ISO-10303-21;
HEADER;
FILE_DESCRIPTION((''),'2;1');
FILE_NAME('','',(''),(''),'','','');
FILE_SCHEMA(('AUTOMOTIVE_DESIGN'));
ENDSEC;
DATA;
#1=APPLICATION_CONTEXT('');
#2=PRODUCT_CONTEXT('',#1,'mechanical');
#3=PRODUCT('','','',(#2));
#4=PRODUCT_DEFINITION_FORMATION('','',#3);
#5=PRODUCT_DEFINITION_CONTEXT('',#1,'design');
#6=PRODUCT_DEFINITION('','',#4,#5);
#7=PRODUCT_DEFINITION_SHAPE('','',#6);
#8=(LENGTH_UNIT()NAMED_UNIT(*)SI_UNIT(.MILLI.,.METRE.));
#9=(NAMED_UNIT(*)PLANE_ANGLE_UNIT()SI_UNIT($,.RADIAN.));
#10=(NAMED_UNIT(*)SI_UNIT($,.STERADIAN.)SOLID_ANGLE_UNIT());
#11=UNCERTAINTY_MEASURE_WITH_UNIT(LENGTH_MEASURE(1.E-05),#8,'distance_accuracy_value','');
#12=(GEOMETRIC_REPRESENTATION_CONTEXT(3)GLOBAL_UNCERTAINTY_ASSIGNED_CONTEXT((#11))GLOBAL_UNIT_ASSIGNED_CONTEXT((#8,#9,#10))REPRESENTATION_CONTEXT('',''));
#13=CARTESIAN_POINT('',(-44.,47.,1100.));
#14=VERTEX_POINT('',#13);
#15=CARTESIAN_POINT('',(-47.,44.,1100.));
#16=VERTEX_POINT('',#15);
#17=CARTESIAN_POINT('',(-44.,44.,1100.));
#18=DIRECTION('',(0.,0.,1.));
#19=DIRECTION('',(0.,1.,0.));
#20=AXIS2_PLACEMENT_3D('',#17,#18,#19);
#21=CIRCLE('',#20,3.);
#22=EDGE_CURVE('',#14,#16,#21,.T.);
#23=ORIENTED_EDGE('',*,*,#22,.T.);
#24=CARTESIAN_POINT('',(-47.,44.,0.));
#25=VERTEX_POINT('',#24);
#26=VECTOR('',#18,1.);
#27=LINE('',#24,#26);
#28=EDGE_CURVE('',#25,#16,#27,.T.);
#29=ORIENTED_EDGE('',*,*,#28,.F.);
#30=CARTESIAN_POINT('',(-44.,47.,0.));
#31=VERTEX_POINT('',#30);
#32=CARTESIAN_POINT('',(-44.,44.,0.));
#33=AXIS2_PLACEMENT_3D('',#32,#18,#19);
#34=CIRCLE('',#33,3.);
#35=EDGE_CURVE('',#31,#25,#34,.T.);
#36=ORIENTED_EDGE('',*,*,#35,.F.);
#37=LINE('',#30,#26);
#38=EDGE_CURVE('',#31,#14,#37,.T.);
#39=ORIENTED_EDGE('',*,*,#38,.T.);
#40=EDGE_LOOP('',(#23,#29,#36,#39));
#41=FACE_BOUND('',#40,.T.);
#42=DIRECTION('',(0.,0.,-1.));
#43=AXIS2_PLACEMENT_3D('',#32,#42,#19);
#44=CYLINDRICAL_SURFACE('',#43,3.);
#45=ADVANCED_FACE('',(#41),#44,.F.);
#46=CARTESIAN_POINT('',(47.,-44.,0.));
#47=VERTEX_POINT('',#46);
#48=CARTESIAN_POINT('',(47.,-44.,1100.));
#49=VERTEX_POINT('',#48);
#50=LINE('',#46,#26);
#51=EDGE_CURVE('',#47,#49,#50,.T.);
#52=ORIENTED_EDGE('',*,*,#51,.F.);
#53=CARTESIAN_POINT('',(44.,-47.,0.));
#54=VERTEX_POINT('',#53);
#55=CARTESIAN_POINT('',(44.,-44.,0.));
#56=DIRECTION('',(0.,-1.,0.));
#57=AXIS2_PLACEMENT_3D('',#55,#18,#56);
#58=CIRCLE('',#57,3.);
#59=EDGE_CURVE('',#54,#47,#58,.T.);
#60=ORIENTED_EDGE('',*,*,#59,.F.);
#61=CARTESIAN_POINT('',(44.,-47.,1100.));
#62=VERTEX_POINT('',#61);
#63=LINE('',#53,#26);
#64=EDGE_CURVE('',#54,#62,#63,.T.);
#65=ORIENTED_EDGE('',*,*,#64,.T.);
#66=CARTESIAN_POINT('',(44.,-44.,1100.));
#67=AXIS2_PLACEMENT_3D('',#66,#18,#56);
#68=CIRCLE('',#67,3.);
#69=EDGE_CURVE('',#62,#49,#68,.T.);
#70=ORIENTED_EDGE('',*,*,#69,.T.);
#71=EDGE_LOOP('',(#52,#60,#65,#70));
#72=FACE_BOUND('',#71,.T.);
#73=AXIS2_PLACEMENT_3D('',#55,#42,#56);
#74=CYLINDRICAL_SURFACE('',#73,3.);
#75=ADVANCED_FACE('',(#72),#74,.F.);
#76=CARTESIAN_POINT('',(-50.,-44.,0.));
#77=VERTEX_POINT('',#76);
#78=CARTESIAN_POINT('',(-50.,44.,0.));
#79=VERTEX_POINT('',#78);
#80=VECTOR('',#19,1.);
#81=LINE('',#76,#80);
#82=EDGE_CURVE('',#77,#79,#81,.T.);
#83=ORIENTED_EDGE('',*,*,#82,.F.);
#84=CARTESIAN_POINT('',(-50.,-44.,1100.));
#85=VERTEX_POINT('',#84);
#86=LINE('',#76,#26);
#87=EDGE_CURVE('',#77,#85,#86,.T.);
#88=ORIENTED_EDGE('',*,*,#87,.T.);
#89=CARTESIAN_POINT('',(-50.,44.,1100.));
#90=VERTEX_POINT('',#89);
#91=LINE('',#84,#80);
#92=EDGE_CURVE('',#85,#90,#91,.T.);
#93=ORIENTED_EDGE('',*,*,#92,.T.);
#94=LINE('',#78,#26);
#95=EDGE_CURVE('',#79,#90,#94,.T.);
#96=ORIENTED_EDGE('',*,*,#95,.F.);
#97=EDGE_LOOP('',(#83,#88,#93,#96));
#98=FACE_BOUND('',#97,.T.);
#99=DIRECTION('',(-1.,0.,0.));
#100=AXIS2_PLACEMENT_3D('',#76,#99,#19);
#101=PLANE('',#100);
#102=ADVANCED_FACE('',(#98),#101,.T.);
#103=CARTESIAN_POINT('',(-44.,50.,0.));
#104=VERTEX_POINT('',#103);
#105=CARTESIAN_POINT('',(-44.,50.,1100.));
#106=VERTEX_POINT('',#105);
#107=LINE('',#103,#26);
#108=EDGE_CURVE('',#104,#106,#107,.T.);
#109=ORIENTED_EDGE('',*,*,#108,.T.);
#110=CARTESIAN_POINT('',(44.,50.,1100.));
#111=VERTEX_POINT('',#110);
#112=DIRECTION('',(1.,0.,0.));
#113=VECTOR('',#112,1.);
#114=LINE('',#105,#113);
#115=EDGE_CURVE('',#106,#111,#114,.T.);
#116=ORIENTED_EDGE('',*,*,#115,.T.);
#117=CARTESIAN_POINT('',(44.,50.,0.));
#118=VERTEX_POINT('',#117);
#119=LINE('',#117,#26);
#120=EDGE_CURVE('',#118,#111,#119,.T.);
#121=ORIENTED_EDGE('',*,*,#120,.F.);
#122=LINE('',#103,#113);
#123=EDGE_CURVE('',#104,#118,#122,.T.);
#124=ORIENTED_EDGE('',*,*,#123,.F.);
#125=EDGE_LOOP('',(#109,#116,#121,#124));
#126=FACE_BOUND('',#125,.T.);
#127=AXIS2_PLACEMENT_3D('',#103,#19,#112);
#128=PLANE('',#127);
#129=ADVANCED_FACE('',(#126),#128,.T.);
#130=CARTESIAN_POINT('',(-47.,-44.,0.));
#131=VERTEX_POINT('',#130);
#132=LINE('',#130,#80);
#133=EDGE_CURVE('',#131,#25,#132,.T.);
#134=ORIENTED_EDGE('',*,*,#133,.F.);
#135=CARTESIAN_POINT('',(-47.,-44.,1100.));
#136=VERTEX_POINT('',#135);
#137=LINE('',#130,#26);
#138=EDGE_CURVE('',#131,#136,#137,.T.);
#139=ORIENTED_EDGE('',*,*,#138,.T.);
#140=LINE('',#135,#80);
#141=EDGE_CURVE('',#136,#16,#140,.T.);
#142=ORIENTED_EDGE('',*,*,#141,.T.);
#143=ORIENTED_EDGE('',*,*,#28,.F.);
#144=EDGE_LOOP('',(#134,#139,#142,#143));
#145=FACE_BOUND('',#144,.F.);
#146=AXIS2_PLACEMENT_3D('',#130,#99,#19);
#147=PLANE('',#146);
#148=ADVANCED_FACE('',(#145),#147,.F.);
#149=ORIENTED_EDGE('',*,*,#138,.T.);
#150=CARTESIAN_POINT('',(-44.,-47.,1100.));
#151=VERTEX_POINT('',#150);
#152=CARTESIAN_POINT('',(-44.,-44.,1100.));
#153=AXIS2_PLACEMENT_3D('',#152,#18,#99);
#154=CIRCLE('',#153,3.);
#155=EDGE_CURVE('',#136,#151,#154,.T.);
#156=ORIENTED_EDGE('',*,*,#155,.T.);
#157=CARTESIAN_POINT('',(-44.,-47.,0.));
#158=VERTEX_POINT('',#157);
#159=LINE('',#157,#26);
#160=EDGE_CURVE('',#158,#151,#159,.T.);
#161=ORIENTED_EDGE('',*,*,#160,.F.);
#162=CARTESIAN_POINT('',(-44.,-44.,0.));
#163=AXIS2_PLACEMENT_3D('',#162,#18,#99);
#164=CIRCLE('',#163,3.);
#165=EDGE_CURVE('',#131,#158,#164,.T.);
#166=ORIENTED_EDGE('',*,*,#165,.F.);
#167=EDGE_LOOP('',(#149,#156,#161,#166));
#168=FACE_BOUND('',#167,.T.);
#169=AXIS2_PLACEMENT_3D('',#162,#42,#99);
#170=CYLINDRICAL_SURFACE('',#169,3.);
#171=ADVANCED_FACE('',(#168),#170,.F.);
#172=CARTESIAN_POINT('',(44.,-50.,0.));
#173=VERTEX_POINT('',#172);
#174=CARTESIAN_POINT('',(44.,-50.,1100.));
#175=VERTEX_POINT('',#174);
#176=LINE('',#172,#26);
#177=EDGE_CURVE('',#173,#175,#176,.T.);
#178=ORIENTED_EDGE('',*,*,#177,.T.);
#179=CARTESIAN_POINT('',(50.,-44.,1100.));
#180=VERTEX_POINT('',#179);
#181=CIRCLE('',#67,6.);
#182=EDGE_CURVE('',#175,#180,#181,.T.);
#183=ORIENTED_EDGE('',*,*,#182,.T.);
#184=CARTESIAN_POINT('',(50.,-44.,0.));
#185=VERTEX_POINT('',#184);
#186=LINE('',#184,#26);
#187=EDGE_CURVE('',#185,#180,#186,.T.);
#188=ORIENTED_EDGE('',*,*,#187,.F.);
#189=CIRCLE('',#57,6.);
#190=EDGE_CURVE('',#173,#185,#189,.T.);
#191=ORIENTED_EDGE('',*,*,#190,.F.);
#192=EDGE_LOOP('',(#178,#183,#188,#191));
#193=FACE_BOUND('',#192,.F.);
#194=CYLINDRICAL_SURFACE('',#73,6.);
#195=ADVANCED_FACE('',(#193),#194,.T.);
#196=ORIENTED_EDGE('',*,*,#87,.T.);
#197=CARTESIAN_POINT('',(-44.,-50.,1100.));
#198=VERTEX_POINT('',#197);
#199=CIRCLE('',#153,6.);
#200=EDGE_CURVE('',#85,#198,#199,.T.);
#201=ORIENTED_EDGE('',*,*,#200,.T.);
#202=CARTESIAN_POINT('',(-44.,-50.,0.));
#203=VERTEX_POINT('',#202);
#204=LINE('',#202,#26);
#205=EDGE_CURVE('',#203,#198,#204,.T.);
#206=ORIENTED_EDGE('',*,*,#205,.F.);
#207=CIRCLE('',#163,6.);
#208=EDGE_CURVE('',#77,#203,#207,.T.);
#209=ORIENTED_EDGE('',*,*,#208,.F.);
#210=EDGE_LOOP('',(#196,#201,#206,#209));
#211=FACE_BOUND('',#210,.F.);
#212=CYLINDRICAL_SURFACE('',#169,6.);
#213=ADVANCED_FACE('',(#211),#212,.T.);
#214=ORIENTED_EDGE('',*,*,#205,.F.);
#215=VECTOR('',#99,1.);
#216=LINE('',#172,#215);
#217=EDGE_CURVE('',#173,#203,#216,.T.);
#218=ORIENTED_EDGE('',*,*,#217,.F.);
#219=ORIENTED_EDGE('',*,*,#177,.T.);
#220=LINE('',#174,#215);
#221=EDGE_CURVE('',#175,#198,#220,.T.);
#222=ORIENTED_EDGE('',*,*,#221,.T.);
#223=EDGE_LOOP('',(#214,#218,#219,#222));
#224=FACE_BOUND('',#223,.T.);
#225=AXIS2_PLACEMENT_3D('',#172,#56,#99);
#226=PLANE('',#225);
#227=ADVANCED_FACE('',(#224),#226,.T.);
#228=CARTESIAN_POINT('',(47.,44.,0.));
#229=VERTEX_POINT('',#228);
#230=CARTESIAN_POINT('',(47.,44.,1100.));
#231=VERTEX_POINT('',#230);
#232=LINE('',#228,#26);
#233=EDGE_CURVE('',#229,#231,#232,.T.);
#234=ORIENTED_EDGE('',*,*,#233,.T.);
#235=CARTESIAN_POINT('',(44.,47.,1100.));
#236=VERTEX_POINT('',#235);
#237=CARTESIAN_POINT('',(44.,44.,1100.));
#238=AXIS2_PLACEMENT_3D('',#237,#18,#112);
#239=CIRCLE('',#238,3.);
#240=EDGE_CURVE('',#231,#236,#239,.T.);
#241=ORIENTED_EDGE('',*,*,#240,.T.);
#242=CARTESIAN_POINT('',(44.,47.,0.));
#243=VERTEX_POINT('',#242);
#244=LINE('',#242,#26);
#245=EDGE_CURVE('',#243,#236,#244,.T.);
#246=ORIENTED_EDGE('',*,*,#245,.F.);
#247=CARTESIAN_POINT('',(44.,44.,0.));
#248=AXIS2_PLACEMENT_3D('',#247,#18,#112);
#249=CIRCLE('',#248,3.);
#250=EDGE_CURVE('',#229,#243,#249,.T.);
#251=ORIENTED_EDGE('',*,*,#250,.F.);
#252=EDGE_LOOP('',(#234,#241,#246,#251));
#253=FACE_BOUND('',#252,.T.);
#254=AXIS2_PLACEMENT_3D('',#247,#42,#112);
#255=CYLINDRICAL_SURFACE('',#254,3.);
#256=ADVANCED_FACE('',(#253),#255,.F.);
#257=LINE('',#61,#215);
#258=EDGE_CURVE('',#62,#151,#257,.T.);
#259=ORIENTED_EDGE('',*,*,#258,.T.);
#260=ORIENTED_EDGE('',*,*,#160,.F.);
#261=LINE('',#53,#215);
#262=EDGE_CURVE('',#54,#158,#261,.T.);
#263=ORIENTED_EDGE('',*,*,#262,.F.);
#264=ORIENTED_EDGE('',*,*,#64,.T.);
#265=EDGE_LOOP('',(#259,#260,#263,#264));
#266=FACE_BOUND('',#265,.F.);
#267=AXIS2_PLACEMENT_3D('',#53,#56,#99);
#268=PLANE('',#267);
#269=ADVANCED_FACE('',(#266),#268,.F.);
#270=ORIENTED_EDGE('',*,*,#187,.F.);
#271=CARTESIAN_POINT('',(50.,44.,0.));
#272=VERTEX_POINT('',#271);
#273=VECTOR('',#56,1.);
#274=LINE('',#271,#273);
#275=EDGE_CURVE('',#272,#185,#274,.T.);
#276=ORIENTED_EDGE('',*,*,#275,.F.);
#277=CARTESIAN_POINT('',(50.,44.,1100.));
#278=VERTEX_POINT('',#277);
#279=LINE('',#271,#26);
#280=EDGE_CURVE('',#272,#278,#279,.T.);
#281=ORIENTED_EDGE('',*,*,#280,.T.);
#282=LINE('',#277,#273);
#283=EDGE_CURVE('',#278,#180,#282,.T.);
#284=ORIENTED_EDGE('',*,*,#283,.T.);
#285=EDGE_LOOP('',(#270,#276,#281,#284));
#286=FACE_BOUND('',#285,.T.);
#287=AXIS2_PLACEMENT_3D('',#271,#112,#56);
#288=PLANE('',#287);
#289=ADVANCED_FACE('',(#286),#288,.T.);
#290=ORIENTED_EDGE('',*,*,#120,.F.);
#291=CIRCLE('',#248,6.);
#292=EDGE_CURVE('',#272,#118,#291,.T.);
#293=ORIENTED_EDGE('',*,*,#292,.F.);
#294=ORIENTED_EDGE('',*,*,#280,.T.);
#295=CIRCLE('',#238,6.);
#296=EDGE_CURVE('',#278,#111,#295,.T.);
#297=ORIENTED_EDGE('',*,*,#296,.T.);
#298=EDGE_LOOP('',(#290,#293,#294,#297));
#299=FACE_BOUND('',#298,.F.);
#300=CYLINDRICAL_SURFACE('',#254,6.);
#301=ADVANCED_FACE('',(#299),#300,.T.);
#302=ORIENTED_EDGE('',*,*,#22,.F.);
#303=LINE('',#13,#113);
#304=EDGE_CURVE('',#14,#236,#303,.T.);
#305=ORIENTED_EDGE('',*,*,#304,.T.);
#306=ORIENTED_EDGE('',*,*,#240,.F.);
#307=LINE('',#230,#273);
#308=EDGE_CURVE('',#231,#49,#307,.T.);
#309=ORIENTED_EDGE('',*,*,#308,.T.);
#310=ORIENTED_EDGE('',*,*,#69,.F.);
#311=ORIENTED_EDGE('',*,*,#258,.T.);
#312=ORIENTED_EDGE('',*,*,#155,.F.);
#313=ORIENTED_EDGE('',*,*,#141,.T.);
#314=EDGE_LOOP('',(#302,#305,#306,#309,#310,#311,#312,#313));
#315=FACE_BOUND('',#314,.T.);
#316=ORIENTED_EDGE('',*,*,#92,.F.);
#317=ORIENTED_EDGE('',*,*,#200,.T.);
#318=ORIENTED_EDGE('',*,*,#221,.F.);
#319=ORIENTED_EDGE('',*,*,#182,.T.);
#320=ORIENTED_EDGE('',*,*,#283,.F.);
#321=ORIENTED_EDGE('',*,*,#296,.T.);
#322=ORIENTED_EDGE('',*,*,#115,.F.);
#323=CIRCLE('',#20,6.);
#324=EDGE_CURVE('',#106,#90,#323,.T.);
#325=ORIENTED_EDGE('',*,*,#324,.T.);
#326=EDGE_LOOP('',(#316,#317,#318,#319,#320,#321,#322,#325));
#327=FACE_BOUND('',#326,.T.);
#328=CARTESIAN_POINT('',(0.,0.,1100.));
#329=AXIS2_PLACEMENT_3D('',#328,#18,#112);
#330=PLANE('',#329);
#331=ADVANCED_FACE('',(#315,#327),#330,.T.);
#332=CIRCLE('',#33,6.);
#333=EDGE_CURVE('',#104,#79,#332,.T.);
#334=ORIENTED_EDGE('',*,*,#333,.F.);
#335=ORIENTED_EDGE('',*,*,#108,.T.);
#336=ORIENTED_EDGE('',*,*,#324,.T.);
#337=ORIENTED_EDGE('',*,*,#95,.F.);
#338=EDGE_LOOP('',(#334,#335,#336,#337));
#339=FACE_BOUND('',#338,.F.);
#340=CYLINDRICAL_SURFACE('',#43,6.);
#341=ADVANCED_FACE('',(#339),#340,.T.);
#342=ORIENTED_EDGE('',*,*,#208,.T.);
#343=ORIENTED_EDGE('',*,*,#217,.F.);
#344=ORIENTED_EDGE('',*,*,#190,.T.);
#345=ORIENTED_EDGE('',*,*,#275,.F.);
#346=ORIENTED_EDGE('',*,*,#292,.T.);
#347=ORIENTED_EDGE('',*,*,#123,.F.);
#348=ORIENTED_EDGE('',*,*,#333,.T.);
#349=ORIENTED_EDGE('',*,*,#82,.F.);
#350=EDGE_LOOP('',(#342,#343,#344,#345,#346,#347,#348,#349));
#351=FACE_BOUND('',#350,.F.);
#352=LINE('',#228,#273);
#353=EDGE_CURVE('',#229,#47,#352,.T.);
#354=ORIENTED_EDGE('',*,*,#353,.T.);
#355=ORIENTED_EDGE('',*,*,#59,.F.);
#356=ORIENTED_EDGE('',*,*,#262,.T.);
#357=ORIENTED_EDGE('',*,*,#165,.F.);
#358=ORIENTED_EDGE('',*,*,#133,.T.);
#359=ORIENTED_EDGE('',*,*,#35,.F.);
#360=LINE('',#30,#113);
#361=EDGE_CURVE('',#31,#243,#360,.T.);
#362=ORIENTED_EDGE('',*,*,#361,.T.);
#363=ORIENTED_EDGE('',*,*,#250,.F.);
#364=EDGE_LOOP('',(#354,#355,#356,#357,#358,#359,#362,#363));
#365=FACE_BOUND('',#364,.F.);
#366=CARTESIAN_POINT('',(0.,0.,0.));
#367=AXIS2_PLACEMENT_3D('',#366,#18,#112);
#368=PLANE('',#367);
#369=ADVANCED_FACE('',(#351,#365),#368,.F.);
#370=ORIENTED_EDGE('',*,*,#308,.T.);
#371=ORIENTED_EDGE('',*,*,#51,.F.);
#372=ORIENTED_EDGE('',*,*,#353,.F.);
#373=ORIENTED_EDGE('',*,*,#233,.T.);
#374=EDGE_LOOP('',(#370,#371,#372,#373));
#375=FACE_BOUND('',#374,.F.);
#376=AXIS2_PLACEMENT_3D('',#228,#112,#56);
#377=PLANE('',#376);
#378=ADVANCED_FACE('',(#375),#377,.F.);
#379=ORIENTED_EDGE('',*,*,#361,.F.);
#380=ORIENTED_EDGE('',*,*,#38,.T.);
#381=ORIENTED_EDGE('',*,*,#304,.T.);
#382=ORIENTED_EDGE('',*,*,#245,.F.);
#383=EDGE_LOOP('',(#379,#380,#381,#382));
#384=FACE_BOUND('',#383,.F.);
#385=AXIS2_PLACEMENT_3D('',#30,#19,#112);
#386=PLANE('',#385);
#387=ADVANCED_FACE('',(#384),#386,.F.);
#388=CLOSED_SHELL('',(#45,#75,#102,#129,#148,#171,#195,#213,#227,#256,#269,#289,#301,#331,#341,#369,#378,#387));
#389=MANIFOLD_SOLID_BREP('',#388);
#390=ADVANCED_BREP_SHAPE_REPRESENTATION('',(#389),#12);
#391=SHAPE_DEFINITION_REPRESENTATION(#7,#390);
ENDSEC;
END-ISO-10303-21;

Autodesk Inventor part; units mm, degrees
ref_plane "YZ Plane" through (0, 0, 0) normal (1, 0, 0) x (0, 1, 0)
ref_plane "Start Plane" through (0, 0, 0) normal (0, 0, 1) x (1, 0, 0)
ref_plane "End Plane" through (0, 0, 1100) normal (0, 0, 1) x (1, 0, 0)
sketch "Sketch" plane through (0, 0, 0) normal (0, 0, 1) x (1, 0, 0)
  line L0 (-50, -44) -> (-50, 44)
  line L1 (-44, 50) -> (44, 50)
  line L2 (50, 44) -> (50, -44)
  line L3 (44, -50) -> (-44, -50)
  arc A0 (-50, -44) -> (-44, -50) centre (-44, -44) ccw
  arc A1 (50, 44) -> (44, 50) centre (44, 44) ccw
  arc A2 (-44, 50) -> (-50, 44) centre (-44, 44) ccw
  arc A3 (44, -50) -> (50, -44) centre (44, -44) ccw
  arc A4 (-44, 47) -> (-47, 44) centre (-44, 44) ccw
  line L4 (-44, 47) -> (44, 47)
  arc A5 (47, 44) -> (44, 47) centre (44, 44) ccw
  line L5 (47, 44) -> (47, -44)
  arc A6 (44, -47) -> (47, -44) centre (44, -44) ccw
  line L6 (44, -47) -> (-44, -47)
  arc A7 (-47, -44) -> (-44, -47) centre (-44, -44) ccw
  line L7 (-47, -44) -> (-47, 44)
  line L8 (0, 71.7397) -> (0, -71.7397) construction
  line L9 (-71.7397, 0) -> (71.7397, 0) construction
  dimension "d7" = 6
  dimension "d9" = 100
  dimension "d11" = 100
  dimension "d12" = 3
  dimension "d15" = 50
  dimension "d16" = 50
extrude "Body" add sketch "Sketch" along normal up to surface (1100 mm away) from surface at 0
sketch "Sketch3" plane through (0, 0, 0) normal (0, 0, 1) x (1, 0, 0)
  line L0 (0, 0) -> (10, 0)
ref_plane "Work Plane3" through (0, 0, 0) normal (0, -1, 0) x (1, 0, 0)
sketch "Sketch4" plane through (0, 0, 0) normal (0, -1, 0) x (1, 0, 0)
  line L0 (-2, 0) -> (12, 0) projected
  line L1 (-2, 1100) -> (12, 1100) projected
  dimension "d18" = 1100
equation "\"d7\" = G_IR"
equation "\"d9\" = G_W"
equation "\"d11\" = G_H"
equation "\"d12\" = G_T"
equation "\"d15\" = 0.5 * d9"
equation "\"d16\" = 0.5 * d11"
equation "\"d3\" = G_L"
equation "\"G_W\" = 100"
equation "\"G_H\" = 100"
equation "\"G_T\" = 3"
equation "\"G_IR\" = 6"
equation "\"G_L\" = d18"
equation "\"G_OFFSET_START\" = 0"
equation "\"G_OFFSET_END\" = 0"
properties part number "ISO 10799-2 - 100x100x3 - 1100" material "Steel, Mild"
